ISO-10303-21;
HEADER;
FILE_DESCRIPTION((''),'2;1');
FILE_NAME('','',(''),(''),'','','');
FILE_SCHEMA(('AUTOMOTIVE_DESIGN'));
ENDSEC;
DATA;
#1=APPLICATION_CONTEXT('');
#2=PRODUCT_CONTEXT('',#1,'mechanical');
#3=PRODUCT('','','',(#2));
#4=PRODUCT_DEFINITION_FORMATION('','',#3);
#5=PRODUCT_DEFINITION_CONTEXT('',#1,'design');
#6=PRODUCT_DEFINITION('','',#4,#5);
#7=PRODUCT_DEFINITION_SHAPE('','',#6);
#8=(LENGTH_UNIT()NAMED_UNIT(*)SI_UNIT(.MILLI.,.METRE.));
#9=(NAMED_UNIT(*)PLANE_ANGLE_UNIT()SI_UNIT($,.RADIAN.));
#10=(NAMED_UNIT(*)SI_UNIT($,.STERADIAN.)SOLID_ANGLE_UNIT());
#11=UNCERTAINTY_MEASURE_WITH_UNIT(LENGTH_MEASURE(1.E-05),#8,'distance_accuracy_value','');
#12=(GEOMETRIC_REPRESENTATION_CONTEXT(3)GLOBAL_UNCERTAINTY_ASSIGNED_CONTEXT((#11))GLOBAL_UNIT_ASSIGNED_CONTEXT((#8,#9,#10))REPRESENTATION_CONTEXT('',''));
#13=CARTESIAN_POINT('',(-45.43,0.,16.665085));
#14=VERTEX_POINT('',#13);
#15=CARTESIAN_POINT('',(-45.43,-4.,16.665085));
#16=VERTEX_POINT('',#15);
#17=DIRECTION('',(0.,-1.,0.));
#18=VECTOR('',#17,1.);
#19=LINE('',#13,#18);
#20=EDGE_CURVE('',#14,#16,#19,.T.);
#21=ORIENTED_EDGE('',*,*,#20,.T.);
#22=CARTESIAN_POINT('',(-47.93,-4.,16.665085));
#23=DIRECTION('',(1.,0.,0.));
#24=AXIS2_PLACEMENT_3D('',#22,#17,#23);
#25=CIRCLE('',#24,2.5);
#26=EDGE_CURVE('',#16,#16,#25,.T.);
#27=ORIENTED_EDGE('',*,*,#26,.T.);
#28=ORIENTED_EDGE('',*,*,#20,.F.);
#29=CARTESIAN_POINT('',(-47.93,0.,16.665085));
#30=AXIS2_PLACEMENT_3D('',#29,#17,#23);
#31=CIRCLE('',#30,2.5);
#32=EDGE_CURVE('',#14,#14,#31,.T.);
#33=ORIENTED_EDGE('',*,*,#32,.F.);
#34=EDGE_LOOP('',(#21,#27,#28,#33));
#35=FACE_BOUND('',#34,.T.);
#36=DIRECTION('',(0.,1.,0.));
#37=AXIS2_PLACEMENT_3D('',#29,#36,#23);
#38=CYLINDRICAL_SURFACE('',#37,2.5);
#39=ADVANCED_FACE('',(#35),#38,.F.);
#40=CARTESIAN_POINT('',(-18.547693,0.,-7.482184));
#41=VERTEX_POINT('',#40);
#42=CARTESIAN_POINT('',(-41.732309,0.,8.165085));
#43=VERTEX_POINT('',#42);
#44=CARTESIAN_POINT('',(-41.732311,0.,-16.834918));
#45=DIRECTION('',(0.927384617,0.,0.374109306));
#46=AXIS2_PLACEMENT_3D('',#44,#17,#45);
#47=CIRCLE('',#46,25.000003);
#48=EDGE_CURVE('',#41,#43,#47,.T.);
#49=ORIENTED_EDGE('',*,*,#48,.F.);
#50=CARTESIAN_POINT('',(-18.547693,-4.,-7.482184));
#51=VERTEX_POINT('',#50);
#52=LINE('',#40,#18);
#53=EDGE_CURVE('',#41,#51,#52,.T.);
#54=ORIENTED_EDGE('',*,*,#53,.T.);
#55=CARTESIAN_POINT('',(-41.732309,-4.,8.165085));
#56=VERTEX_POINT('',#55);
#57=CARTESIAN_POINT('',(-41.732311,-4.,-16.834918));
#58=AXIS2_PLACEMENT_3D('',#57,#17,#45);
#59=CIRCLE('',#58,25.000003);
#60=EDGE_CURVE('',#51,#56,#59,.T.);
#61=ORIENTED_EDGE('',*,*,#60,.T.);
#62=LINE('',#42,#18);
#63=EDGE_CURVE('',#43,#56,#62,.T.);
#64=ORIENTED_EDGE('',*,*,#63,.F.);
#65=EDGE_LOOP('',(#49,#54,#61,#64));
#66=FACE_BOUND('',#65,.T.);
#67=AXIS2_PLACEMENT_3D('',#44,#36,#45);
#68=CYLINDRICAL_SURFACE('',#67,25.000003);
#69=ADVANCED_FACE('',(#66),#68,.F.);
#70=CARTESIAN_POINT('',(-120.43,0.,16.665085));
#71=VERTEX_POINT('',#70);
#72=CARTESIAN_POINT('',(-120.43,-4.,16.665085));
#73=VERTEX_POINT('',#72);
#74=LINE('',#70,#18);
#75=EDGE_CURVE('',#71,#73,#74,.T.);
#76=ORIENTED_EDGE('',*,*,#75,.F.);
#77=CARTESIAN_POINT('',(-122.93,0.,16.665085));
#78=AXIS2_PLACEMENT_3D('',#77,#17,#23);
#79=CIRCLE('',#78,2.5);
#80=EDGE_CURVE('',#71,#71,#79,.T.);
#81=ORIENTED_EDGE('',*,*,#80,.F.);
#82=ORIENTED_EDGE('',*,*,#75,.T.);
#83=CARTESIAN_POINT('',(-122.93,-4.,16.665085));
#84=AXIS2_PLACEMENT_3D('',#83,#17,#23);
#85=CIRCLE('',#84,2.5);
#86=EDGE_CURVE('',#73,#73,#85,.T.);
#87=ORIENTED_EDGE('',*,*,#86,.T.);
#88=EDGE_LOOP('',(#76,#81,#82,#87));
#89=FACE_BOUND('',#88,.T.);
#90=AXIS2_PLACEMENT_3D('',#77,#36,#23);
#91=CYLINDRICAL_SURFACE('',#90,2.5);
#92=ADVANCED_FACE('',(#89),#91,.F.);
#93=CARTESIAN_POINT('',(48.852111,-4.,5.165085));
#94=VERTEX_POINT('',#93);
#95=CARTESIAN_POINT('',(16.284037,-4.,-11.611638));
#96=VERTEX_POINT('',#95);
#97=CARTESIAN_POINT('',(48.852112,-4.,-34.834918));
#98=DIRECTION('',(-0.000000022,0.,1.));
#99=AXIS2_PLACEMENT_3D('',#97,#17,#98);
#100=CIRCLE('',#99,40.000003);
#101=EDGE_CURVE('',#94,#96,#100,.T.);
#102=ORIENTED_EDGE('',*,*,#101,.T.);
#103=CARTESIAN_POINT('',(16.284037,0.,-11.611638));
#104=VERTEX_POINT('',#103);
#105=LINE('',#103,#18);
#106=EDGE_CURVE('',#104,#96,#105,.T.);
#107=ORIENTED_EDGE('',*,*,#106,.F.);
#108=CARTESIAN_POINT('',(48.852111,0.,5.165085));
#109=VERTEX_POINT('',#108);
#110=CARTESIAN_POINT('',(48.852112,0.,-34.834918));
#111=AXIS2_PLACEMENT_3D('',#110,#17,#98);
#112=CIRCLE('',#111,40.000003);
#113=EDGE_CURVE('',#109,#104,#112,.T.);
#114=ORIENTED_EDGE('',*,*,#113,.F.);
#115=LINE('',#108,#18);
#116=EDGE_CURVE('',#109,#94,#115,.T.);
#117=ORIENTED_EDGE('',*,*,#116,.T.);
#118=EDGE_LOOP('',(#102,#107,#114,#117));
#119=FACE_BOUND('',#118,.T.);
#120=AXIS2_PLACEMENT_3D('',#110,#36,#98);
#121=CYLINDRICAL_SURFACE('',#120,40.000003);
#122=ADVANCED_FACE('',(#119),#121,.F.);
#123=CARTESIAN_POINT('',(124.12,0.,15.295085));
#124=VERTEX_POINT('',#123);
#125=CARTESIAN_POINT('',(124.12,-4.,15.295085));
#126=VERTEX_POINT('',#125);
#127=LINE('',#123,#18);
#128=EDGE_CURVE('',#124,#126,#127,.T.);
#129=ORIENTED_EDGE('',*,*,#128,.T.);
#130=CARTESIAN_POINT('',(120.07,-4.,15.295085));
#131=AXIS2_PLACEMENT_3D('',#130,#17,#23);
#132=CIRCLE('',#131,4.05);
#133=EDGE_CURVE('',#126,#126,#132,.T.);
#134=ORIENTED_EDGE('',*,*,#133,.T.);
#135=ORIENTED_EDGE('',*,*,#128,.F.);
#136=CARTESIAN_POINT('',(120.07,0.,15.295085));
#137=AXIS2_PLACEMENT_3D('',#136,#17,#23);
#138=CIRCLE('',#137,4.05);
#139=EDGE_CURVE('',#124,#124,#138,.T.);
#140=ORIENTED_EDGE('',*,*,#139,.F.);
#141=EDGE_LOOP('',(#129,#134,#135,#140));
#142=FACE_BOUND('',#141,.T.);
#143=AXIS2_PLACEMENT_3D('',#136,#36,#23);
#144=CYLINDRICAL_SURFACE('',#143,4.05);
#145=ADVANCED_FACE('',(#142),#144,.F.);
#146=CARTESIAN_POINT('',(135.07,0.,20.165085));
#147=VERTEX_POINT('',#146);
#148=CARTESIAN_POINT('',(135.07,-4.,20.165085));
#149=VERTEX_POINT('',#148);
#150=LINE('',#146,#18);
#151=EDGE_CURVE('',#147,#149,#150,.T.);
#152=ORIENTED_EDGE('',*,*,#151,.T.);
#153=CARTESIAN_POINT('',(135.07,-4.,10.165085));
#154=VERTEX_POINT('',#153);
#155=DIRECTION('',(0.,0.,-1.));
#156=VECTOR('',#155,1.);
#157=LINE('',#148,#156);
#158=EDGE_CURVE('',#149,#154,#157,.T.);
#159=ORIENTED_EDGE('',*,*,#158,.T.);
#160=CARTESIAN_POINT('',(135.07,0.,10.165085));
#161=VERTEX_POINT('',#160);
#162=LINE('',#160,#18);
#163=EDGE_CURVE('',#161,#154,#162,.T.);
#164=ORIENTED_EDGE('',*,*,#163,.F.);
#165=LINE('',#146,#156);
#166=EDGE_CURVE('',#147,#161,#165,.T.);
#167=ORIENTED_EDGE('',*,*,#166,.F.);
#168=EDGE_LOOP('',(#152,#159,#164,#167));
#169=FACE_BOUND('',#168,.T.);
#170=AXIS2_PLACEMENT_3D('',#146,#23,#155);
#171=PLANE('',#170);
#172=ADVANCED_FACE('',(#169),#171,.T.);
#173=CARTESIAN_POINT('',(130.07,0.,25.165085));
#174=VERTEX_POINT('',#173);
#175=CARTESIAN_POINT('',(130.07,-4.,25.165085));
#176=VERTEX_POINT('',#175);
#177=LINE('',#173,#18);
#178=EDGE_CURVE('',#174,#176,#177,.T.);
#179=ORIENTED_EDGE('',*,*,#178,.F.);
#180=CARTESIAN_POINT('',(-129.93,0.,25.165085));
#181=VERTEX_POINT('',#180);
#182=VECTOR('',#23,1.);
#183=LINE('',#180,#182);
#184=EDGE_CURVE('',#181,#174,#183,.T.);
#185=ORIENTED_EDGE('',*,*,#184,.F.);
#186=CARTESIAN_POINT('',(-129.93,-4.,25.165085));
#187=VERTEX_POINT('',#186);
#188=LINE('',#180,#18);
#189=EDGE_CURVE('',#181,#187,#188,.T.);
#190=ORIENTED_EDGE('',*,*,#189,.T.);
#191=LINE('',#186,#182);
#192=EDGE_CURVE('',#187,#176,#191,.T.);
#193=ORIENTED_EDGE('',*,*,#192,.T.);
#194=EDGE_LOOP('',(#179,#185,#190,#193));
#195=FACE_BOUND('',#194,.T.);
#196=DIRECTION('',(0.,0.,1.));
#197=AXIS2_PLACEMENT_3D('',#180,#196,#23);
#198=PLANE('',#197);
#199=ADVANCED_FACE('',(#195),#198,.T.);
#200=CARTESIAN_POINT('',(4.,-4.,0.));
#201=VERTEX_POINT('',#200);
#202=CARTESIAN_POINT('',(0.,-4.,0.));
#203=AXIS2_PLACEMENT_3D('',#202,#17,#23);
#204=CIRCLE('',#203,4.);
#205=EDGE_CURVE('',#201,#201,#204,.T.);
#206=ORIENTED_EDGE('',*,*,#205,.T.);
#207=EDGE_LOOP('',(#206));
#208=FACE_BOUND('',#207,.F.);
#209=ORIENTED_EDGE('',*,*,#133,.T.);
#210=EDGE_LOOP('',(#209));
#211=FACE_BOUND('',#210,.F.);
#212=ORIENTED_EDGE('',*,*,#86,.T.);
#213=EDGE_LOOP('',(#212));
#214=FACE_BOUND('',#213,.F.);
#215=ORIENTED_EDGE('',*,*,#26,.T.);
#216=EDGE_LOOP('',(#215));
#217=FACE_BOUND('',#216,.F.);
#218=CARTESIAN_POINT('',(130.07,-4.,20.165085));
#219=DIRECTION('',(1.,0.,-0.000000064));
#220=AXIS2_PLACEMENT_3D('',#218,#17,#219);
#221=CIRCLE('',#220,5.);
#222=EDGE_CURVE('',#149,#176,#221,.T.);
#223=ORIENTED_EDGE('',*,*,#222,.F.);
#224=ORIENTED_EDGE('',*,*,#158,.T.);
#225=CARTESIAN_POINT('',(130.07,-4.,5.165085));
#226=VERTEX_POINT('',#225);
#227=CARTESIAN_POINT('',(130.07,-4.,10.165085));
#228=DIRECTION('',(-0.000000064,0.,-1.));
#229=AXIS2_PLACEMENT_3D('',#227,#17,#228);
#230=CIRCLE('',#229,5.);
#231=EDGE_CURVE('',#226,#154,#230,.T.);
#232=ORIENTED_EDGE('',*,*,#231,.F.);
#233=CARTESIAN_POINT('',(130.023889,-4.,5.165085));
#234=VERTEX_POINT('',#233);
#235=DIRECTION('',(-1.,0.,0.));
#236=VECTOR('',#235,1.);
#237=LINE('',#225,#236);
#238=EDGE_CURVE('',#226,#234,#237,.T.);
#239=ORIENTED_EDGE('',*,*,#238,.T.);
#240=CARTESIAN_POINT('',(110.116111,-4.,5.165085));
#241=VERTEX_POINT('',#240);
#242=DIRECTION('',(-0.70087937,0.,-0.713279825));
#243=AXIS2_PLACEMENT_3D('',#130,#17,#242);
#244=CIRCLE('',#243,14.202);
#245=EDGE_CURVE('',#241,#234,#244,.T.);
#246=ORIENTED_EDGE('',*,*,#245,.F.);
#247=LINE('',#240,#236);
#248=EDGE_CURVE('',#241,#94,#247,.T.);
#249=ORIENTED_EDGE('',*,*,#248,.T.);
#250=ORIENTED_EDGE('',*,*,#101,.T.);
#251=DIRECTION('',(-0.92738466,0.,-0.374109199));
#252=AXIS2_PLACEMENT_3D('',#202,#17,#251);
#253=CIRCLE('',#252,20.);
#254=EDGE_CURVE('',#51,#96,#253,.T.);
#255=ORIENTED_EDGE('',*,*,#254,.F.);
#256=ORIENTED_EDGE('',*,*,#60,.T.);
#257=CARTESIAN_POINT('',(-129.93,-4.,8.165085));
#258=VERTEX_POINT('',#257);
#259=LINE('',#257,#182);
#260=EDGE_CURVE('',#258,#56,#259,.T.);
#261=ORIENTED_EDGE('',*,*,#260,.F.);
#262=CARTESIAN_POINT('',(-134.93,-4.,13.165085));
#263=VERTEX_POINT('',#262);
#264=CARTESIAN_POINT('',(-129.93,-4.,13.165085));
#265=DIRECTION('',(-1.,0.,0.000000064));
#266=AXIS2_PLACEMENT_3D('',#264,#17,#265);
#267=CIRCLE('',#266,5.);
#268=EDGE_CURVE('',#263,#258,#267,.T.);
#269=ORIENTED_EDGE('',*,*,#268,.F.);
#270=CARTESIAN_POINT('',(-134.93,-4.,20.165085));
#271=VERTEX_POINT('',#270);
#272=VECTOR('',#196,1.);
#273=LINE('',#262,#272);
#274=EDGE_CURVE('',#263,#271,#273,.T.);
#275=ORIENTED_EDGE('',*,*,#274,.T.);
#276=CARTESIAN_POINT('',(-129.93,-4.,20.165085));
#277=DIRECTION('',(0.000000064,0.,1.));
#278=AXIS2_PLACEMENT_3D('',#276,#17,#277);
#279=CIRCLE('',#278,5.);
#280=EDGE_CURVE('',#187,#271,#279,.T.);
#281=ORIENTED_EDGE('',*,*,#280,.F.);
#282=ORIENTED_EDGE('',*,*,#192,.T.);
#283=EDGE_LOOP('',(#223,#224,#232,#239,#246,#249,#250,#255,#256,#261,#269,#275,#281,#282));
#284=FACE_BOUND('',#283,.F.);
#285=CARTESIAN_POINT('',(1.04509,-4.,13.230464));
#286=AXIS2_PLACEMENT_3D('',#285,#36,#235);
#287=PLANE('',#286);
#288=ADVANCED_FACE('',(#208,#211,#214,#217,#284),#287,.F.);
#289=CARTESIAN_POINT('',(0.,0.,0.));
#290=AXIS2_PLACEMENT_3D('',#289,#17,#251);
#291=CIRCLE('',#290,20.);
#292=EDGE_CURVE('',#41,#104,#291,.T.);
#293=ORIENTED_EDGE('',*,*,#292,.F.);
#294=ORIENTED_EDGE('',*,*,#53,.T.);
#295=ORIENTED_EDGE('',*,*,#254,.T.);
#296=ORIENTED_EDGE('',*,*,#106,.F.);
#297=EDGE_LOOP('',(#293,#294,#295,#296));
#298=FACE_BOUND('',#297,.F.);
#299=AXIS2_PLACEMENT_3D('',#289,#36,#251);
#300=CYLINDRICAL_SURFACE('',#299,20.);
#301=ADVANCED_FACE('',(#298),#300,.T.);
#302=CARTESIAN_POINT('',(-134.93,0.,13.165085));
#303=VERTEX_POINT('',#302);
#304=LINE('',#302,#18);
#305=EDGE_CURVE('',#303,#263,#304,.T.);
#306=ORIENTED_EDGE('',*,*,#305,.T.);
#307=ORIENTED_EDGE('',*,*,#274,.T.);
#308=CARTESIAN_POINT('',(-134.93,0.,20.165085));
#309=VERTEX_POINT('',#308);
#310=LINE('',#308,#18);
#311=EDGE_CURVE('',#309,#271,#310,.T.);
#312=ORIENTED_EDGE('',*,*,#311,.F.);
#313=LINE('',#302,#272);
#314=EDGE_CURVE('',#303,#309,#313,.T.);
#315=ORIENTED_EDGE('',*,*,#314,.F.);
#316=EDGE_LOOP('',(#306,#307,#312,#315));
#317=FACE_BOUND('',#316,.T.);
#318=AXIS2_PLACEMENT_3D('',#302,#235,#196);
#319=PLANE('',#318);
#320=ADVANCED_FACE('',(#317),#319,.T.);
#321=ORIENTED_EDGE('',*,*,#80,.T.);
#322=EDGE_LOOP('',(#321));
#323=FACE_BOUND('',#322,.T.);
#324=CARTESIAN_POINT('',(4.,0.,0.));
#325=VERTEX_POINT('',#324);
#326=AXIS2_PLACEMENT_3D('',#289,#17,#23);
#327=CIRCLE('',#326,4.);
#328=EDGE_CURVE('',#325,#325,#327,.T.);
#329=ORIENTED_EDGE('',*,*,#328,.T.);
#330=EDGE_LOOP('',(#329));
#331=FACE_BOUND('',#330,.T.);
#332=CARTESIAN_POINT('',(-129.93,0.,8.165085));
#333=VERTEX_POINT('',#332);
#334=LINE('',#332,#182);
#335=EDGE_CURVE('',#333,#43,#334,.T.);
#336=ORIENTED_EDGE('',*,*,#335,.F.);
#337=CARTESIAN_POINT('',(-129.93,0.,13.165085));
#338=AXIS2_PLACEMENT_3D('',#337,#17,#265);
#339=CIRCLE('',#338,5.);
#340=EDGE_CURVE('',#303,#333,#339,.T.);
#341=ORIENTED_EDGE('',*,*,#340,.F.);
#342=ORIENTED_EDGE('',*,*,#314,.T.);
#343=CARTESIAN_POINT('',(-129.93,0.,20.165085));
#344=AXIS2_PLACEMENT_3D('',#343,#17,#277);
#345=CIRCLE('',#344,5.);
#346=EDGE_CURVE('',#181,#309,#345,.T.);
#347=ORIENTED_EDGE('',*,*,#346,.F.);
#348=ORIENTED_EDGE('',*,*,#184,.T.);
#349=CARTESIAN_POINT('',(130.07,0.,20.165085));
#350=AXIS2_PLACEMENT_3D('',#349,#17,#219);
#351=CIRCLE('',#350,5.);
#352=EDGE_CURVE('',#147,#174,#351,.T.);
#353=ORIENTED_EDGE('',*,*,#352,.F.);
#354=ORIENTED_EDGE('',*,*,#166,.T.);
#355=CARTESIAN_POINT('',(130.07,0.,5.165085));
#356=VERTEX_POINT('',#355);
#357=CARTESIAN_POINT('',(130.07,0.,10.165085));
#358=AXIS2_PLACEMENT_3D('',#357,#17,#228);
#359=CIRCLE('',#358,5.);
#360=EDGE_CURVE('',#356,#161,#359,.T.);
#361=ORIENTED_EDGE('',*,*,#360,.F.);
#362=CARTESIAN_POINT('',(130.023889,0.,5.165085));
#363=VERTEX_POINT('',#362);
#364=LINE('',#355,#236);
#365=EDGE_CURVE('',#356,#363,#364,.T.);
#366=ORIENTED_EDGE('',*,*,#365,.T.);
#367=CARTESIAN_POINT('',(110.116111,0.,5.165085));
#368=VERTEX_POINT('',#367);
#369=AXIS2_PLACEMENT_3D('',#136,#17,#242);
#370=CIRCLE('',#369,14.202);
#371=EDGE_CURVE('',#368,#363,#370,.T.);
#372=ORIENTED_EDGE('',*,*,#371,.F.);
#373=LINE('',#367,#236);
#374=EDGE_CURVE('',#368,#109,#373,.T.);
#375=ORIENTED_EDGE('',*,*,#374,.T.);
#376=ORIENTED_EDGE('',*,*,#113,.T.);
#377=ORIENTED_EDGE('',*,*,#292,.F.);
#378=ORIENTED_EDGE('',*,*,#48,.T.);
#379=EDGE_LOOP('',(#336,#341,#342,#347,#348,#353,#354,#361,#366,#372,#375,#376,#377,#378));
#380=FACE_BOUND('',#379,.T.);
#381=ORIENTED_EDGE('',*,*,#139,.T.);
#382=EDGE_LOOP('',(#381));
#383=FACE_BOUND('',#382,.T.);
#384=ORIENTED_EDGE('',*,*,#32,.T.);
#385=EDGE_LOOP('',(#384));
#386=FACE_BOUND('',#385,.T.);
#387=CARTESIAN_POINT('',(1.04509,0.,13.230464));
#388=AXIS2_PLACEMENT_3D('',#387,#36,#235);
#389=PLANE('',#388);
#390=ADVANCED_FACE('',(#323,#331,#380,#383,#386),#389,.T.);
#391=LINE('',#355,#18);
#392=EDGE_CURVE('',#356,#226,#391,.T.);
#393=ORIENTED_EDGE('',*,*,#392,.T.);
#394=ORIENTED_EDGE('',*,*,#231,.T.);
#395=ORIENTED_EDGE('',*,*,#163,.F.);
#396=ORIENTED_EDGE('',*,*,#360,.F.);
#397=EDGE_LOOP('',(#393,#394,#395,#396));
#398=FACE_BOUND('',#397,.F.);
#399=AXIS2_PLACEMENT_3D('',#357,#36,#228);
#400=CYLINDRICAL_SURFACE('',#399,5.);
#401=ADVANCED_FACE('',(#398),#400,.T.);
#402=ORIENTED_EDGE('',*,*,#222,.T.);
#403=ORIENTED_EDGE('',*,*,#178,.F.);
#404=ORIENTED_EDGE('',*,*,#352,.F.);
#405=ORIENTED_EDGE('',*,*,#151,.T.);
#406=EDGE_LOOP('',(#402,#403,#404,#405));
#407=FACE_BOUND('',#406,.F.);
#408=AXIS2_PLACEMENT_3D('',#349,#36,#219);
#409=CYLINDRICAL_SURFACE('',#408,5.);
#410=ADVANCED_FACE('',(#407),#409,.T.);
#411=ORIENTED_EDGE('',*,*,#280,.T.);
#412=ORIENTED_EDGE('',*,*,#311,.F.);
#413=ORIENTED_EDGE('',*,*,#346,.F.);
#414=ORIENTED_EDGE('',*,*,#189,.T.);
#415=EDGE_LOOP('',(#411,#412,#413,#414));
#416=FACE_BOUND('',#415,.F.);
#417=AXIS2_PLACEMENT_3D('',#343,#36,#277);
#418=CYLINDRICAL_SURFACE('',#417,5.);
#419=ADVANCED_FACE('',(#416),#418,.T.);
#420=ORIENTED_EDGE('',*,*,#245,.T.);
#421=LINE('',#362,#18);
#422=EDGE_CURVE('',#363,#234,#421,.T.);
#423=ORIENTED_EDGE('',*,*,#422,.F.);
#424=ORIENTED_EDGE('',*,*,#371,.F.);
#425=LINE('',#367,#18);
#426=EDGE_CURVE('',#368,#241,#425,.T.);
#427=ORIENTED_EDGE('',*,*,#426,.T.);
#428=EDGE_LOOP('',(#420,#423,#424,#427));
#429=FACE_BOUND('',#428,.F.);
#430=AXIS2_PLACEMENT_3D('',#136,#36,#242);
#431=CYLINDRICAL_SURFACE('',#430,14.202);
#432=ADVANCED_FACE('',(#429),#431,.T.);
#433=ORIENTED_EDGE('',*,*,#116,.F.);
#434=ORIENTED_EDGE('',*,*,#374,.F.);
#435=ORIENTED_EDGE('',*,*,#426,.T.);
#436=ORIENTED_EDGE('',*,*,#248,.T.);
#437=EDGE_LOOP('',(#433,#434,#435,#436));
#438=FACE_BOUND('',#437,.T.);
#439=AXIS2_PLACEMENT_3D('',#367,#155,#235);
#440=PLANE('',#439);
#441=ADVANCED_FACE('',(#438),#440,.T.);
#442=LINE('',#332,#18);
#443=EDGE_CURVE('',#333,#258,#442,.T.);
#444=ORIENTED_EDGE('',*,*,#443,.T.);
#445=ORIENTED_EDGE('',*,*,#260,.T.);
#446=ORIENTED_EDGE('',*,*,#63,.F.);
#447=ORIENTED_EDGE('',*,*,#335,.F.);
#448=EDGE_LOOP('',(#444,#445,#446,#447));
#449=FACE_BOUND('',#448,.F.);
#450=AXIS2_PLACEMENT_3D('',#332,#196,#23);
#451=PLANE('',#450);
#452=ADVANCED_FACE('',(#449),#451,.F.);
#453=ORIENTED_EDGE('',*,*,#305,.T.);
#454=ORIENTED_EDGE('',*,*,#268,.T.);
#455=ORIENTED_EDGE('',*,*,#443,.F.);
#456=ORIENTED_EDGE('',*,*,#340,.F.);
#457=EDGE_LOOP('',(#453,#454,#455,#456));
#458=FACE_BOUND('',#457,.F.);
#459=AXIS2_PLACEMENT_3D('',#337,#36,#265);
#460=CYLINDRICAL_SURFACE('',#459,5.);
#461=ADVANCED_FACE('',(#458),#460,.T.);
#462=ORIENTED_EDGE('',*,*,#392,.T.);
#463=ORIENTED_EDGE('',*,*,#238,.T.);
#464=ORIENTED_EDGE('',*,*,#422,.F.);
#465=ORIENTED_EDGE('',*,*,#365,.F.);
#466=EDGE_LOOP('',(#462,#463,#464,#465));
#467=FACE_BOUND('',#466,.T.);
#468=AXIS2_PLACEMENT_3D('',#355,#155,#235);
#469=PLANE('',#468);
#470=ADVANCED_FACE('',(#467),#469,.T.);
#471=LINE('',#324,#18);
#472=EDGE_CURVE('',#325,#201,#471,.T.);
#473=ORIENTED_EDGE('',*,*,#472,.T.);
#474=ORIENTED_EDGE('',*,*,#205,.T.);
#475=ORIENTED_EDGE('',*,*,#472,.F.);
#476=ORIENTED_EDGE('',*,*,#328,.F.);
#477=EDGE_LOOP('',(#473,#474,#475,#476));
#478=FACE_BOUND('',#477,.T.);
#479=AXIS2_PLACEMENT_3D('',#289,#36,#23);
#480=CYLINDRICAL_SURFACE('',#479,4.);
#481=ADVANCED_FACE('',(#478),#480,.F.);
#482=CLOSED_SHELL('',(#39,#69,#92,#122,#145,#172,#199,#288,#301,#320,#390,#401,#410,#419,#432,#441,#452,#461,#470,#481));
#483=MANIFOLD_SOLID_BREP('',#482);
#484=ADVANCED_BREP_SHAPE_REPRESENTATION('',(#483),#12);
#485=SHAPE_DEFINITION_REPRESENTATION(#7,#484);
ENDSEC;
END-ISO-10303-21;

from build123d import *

# Parameters (mm, degrees)
SKETCH_R   = 4
SKETCH_R_2 = 4.05
SKETCH_R_3 = 2.5
PAD_DEPTH  = 4


with BuildPart() as part:
    # Sketch → Pad (new body)
    with BuildSketch(Plane.XZ):
        with BuildLine():
            Line((-134.93, 13.165085), (-134.93, 20.165085))
            ThreePointArc((-129.93, 25.165085), (-133.465534, 23.700619), (-134.93, 20.165085))
            Line((-129.93, 25.165085), (130.07, 25.165085))
            ThreePointArc((135.07, 20.165085), (133.605534, 23.700619), (130.07, 25.165085))
            Line((135.07, 20.165085), (135.07, 10.165085))
            ThreePointArc((130.07, 5.165085), (133.605534, 6.629551), (135.07, 10.165085))
            Line((130.07, 5.165085), (130.023889, 5.165085))
            ThreePointArc((110.116111, 5.165085), (120.07, 1.093085), (130.023889, 5.165085))
            Line((110.116111, 5.165085), (48.852111, 5.165085))
            ThreePointArc((48.852111, 5.165085), (30.534511, 0.724409), (16.284037, -11.611638))
            ThreePointArc((-18.547693, -7.482184), (-2.354598, -19.860913), (16.284037, -11.611638))
            ThreePointArc((-18.547693, -7.482184), (-27.746929, 3.887274), (-41.732309, 8.165085))
            Line((-129.93, 8.165085), (-41.732309, 8.165085))
            ThreePointArc((-134.93, 13.165085), (-133.465534, 9.629551), (-129.93, 8.165085))
        make_face()
        Circle(SKETCH_R, mode=Mode.SUBTRACT)
        with Locations((120.07, 15.295085)):
            Circle(SKETCH_R_2, mode=Mode.SUBTRACT)
        with Locations((-122.93, 16.665085)):
            Circle(SKETCH_R_3, mode=Mode.SUBTRACT)
        with Locations((-47.93, 16.665085)):
            Circle(SKETCH_R_3, mode=Mode.SUBTRACT)
    extrude(amount=PAD_DEPTH)


solid = part.part
